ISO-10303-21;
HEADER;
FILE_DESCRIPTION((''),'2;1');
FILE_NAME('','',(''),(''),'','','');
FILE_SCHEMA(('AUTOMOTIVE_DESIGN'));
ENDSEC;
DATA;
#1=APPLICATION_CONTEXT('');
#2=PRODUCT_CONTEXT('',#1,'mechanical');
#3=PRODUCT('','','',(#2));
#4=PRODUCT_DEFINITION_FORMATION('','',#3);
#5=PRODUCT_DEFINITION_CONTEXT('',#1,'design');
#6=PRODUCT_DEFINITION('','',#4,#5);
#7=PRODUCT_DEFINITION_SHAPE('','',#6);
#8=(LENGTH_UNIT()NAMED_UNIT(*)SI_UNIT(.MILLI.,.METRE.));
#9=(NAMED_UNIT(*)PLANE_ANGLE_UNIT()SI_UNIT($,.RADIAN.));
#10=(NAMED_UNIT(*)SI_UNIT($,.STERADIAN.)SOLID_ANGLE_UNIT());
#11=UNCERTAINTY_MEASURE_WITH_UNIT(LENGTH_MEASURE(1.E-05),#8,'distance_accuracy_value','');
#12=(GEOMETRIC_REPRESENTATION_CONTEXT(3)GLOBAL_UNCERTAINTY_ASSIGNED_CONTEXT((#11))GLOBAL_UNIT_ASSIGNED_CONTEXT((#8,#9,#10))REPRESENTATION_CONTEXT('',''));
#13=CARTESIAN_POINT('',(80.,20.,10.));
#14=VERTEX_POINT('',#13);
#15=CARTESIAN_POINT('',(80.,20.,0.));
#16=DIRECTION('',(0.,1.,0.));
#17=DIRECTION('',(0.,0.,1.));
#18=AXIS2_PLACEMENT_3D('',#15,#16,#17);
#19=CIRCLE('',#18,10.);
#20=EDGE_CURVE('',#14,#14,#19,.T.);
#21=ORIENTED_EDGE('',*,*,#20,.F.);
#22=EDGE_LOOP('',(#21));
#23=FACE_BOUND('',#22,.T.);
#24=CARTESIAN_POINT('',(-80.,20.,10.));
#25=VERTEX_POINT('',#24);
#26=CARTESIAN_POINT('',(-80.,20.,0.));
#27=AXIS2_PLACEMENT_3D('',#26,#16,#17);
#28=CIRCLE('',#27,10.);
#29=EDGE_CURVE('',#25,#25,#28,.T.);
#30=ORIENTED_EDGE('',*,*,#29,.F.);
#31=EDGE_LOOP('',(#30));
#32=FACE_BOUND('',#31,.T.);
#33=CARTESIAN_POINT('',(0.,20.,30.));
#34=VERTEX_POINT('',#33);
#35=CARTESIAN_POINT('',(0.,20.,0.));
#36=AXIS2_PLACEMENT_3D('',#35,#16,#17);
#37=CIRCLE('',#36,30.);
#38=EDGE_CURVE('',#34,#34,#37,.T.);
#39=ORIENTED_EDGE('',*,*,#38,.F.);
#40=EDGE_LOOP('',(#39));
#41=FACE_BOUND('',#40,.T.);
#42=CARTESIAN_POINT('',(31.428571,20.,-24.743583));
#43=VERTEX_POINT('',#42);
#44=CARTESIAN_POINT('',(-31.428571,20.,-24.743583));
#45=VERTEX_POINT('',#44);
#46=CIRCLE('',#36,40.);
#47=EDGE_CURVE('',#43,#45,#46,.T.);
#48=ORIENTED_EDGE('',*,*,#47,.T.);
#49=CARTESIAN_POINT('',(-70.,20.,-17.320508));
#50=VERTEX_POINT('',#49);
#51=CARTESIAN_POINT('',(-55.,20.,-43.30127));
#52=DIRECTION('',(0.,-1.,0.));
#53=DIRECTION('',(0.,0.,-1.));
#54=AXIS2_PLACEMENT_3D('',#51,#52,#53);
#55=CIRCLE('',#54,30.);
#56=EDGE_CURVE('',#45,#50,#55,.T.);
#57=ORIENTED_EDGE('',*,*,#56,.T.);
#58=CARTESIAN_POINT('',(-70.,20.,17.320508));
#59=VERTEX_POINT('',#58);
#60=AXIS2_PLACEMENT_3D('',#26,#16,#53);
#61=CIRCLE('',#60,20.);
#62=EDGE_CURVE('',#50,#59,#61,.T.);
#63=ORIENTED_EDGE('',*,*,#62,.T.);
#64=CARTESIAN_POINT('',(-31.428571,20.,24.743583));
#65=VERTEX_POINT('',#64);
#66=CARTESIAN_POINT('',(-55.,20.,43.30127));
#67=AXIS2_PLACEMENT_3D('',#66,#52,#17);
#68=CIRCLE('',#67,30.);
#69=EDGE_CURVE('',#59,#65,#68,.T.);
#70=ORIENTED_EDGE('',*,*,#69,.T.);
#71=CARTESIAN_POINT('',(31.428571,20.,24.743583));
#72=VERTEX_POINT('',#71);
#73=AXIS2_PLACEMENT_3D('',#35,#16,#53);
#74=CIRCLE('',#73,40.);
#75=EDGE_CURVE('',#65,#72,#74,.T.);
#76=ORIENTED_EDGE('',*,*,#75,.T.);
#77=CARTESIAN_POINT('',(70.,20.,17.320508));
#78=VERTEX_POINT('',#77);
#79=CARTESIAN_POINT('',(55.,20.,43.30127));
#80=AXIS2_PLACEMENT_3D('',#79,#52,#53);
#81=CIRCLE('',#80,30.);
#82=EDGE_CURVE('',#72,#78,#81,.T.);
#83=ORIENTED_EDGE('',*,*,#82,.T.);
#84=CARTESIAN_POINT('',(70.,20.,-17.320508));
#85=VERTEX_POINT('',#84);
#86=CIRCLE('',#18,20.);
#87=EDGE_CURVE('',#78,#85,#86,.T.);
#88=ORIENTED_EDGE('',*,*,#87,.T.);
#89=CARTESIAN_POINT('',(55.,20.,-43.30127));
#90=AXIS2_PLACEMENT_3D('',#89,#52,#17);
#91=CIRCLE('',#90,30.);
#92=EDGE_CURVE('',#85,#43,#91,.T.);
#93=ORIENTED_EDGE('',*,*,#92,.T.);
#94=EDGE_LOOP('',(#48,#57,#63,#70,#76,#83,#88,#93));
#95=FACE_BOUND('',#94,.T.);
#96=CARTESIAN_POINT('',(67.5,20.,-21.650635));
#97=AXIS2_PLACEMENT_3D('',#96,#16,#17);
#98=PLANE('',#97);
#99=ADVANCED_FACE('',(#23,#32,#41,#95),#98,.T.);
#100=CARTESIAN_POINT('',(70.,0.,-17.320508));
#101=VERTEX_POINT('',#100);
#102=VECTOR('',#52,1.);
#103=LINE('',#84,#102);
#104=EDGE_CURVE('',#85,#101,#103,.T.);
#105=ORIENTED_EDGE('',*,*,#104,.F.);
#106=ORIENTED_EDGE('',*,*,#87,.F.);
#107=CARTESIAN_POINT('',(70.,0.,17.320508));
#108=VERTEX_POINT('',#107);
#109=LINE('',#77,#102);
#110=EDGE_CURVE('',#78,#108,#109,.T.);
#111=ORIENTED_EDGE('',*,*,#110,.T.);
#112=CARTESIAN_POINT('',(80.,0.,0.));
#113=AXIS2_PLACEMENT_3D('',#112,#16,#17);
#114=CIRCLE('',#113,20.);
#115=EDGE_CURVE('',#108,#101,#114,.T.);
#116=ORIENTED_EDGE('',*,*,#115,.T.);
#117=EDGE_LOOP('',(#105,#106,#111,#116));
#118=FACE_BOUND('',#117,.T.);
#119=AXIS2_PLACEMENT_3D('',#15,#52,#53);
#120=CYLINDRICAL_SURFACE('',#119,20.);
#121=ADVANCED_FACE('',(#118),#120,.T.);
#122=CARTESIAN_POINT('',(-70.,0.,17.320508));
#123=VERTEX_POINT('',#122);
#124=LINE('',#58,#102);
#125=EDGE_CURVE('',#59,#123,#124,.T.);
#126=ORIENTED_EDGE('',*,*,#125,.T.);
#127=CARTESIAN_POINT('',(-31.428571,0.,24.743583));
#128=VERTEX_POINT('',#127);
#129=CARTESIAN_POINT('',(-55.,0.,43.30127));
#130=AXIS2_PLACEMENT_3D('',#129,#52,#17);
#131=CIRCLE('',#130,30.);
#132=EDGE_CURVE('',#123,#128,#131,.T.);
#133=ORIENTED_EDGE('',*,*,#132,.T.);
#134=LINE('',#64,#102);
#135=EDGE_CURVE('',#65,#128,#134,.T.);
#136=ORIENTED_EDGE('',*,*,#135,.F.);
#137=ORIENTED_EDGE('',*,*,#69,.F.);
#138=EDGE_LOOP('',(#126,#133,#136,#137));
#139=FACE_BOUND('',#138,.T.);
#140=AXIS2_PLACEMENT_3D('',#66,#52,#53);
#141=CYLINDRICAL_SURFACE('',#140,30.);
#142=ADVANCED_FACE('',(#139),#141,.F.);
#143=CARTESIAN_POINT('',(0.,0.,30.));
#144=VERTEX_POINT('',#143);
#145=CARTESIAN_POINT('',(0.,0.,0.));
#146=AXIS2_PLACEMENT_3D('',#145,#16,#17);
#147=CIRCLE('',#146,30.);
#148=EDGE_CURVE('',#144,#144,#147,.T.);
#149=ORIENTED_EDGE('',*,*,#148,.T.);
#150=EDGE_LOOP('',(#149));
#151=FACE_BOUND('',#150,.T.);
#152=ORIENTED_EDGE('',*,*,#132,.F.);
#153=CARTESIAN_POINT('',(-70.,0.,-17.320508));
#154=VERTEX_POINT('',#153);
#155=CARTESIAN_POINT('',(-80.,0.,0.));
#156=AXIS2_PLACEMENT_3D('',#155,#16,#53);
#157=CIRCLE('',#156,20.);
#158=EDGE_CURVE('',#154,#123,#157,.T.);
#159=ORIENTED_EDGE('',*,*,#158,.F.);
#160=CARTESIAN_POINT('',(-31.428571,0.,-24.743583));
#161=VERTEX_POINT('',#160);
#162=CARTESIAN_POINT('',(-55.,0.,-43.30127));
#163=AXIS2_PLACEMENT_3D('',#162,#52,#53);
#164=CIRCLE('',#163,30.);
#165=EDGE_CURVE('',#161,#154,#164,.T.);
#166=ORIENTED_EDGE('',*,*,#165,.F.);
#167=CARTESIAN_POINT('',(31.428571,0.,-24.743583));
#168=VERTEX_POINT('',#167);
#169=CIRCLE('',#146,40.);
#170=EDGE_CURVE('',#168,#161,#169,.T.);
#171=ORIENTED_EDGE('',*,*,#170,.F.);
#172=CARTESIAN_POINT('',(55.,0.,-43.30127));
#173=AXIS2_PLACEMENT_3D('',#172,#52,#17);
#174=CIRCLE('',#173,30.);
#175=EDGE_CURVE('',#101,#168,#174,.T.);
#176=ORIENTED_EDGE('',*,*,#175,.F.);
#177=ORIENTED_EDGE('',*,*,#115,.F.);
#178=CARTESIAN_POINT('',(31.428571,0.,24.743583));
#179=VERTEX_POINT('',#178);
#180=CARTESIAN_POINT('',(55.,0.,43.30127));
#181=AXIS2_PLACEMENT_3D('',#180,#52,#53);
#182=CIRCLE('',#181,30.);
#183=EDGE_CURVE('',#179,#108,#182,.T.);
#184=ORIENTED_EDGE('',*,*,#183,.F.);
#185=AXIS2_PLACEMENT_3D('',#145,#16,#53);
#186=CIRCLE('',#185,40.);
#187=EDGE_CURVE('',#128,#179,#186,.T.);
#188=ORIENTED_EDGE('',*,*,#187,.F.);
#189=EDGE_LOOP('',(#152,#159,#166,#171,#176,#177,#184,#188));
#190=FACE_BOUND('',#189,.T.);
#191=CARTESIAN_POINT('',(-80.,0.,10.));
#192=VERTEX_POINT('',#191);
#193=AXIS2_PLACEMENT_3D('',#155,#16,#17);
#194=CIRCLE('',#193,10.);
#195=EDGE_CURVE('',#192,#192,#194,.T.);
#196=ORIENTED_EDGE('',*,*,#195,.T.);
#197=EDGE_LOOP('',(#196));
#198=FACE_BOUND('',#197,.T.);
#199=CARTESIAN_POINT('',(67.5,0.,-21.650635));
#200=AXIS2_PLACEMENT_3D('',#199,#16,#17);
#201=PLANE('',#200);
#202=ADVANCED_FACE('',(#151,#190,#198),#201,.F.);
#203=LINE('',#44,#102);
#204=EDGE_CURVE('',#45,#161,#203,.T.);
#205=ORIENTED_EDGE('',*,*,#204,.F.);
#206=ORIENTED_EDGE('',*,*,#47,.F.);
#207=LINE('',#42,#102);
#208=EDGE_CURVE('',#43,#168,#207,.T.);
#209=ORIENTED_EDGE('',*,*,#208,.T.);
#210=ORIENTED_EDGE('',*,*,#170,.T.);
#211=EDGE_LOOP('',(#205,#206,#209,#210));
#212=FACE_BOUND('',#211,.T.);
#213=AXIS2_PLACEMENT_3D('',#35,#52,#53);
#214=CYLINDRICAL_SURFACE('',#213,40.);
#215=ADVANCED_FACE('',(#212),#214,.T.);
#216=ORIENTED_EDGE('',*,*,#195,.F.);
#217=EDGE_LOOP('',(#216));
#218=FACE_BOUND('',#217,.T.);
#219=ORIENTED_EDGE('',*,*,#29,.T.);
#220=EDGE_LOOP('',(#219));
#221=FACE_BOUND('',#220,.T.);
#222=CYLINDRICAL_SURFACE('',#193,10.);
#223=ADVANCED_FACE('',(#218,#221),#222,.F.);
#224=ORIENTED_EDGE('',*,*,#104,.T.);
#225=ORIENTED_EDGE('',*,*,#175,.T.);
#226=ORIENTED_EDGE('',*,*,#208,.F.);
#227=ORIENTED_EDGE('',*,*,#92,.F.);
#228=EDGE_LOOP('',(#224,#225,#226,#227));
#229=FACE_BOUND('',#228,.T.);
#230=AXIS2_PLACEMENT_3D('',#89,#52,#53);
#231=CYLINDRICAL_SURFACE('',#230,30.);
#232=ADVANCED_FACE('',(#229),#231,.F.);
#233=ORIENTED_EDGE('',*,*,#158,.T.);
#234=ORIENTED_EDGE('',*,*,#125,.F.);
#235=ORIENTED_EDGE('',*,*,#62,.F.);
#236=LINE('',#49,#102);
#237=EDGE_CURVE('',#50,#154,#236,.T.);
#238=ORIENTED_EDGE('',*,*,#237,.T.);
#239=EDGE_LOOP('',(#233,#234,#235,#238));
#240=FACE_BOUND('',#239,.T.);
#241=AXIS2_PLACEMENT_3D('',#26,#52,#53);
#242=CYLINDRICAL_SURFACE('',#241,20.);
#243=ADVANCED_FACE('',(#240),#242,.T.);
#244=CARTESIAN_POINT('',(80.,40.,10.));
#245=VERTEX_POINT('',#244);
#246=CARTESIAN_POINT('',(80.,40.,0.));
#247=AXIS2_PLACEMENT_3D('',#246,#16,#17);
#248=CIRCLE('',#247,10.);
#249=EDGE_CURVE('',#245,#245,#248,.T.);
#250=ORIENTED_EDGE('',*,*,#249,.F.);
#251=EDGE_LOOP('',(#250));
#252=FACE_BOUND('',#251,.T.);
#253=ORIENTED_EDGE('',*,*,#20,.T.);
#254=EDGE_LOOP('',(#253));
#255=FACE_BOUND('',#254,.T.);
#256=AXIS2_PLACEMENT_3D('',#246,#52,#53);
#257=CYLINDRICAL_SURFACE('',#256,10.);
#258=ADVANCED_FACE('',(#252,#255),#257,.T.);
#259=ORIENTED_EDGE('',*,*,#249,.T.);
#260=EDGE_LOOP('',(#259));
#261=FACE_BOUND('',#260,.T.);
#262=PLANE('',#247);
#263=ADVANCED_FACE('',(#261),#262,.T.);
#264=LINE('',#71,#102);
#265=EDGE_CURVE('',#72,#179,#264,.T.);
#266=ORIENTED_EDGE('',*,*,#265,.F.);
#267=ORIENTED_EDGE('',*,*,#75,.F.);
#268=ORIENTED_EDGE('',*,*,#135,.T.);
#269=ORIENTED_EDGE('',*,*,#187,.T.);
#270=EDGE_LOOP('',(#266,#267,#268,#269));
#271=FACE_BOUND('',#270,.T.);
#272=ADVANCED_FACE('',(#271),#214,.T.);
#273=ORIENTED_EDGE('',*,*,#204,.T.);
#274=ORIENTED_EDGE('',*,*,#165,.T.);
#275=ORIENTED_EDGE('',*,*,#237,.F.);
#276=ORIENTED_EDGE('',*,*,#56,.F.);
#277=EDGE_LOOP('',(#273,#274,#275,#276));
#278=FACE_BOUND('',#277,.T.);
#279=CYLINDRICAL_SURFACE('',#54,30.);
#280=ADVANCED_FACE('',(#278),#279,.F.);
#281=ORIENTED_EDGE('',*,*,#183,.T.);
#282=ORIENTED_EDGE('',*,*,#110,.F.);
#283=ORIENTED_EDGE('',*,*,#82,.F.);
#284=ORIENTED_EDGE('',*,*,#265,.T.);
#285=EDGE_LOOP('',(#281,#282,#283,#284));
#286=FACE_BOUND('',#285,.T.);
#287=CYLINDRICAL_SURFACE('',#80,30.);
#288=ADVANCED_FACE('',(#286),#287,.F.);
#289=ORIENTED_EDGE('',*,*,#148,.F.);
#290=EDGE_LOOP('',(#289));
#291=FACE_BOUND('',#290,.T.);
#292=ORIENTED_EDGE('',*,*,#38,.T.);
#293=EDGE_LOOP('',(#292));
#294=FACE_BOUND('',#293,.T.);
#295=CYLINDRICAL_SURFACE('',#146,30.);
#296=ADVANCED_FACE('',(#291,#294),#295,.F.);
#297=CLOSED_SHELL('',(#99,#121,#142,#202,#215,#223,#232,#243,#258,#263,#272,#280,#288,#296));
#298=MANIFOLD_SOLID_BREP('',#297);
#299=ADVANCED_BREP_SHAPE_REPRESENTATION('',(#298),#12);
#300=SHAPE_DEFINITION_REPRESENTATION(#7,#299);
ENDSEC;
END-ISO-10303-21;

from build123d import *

# Parameters (mm, degrees)
SALIENTE_EXTRUIR1_DEPTH = 20
CROQUIS2_R              = 30
CORTAR_EXTRUIR1_DEPTH   = 21
CROQUIS3_R              = 10
CORTAR_EXTRUIR2_DEPTH   = 21
CROQUIS4_R              = 10
SALIENTE_EXTRUIR2_DEPTH = 20


with BuildPart() as part:
    # Croquis1 → Saliente-Extruir1 (new body)
    with BuildSketch(Plane(origin=(0, 0, 0), x_dir=(1, 0, 0), z_dir=(0, 1, 0))):
        with BuildLine():
            ThreePointArc((70, -17.320508076), (100, 0), (70, 17.320508076))
            ThreePointArc((70, 17.320508076), (49.330532905, 13.841855007), (31.428571429, 24.743582965))
            ThreePointArc((31.428571429, 24.743582965), (0, 40), (-31.428571429, 24.743582965))
            ThreePointArc((-31.428571429, 24.743582965), (-49.330532905, 13.841855007), (-70, 17.320508076))
            ThreePointArc((-70, 17.320508076), (-100, 0), (-70, -17.320508076))
            ThreePointArc((-70, -17.320508076), (-49.330532905, -13.841855007), (-31.428571429, -24.743582965))
            ThreePointArc((-31.428571429, -24.743582965), (0, -40), (31.428571429, -24.743582965))
            ThreePointArc((31.428571429, -24.743582965), (49.330532905, -13.841855007), (70, -17.320508076))
        make_face()
    extrude(amount=SALIENTE_EXTRUIR1_DEPTH)

    # Croquis2 → Cortar-Extruir1 (cut, through all)
    with BuildSketch(Plane(origin=(0, 20, 0), x_dir=(1, 0, 0), z_dir=(0, 1, 0))):
        Circle(CROQUIS2_R)
    extrude(amount=-CORTAR_EXTRUIR1_DEPTH, mode=Mode.SUBTRACT)

    # Croquis3 → Cortar-Extruir2 (cut, through all)
    with BuildSketch(Plane(origin=(0, 20, 0), x_dir=(1, 0, 0), z_dir=(0, 1, 0))):
        with Locations((-80, 0)):
            Circle(CROQUIS3_R)
    extrude(amount=-CORTAR_EXTRUIR2_DEPTH, mode=Mode.SUBTRACT)

    # Croquis4 → Saliente-Extruir2 (add)
    with BuildSketch(Plane(origin=(0, 20, 0), x_dir=(1, 0, 0), z_dir=(0, 1, 0))):
        with Locations((80, 0)):
            Circle(CROQUIS4_R)
    extrude(amount=SALIENTE_EXTRUIR2_DEPTH)


solid = part.part
